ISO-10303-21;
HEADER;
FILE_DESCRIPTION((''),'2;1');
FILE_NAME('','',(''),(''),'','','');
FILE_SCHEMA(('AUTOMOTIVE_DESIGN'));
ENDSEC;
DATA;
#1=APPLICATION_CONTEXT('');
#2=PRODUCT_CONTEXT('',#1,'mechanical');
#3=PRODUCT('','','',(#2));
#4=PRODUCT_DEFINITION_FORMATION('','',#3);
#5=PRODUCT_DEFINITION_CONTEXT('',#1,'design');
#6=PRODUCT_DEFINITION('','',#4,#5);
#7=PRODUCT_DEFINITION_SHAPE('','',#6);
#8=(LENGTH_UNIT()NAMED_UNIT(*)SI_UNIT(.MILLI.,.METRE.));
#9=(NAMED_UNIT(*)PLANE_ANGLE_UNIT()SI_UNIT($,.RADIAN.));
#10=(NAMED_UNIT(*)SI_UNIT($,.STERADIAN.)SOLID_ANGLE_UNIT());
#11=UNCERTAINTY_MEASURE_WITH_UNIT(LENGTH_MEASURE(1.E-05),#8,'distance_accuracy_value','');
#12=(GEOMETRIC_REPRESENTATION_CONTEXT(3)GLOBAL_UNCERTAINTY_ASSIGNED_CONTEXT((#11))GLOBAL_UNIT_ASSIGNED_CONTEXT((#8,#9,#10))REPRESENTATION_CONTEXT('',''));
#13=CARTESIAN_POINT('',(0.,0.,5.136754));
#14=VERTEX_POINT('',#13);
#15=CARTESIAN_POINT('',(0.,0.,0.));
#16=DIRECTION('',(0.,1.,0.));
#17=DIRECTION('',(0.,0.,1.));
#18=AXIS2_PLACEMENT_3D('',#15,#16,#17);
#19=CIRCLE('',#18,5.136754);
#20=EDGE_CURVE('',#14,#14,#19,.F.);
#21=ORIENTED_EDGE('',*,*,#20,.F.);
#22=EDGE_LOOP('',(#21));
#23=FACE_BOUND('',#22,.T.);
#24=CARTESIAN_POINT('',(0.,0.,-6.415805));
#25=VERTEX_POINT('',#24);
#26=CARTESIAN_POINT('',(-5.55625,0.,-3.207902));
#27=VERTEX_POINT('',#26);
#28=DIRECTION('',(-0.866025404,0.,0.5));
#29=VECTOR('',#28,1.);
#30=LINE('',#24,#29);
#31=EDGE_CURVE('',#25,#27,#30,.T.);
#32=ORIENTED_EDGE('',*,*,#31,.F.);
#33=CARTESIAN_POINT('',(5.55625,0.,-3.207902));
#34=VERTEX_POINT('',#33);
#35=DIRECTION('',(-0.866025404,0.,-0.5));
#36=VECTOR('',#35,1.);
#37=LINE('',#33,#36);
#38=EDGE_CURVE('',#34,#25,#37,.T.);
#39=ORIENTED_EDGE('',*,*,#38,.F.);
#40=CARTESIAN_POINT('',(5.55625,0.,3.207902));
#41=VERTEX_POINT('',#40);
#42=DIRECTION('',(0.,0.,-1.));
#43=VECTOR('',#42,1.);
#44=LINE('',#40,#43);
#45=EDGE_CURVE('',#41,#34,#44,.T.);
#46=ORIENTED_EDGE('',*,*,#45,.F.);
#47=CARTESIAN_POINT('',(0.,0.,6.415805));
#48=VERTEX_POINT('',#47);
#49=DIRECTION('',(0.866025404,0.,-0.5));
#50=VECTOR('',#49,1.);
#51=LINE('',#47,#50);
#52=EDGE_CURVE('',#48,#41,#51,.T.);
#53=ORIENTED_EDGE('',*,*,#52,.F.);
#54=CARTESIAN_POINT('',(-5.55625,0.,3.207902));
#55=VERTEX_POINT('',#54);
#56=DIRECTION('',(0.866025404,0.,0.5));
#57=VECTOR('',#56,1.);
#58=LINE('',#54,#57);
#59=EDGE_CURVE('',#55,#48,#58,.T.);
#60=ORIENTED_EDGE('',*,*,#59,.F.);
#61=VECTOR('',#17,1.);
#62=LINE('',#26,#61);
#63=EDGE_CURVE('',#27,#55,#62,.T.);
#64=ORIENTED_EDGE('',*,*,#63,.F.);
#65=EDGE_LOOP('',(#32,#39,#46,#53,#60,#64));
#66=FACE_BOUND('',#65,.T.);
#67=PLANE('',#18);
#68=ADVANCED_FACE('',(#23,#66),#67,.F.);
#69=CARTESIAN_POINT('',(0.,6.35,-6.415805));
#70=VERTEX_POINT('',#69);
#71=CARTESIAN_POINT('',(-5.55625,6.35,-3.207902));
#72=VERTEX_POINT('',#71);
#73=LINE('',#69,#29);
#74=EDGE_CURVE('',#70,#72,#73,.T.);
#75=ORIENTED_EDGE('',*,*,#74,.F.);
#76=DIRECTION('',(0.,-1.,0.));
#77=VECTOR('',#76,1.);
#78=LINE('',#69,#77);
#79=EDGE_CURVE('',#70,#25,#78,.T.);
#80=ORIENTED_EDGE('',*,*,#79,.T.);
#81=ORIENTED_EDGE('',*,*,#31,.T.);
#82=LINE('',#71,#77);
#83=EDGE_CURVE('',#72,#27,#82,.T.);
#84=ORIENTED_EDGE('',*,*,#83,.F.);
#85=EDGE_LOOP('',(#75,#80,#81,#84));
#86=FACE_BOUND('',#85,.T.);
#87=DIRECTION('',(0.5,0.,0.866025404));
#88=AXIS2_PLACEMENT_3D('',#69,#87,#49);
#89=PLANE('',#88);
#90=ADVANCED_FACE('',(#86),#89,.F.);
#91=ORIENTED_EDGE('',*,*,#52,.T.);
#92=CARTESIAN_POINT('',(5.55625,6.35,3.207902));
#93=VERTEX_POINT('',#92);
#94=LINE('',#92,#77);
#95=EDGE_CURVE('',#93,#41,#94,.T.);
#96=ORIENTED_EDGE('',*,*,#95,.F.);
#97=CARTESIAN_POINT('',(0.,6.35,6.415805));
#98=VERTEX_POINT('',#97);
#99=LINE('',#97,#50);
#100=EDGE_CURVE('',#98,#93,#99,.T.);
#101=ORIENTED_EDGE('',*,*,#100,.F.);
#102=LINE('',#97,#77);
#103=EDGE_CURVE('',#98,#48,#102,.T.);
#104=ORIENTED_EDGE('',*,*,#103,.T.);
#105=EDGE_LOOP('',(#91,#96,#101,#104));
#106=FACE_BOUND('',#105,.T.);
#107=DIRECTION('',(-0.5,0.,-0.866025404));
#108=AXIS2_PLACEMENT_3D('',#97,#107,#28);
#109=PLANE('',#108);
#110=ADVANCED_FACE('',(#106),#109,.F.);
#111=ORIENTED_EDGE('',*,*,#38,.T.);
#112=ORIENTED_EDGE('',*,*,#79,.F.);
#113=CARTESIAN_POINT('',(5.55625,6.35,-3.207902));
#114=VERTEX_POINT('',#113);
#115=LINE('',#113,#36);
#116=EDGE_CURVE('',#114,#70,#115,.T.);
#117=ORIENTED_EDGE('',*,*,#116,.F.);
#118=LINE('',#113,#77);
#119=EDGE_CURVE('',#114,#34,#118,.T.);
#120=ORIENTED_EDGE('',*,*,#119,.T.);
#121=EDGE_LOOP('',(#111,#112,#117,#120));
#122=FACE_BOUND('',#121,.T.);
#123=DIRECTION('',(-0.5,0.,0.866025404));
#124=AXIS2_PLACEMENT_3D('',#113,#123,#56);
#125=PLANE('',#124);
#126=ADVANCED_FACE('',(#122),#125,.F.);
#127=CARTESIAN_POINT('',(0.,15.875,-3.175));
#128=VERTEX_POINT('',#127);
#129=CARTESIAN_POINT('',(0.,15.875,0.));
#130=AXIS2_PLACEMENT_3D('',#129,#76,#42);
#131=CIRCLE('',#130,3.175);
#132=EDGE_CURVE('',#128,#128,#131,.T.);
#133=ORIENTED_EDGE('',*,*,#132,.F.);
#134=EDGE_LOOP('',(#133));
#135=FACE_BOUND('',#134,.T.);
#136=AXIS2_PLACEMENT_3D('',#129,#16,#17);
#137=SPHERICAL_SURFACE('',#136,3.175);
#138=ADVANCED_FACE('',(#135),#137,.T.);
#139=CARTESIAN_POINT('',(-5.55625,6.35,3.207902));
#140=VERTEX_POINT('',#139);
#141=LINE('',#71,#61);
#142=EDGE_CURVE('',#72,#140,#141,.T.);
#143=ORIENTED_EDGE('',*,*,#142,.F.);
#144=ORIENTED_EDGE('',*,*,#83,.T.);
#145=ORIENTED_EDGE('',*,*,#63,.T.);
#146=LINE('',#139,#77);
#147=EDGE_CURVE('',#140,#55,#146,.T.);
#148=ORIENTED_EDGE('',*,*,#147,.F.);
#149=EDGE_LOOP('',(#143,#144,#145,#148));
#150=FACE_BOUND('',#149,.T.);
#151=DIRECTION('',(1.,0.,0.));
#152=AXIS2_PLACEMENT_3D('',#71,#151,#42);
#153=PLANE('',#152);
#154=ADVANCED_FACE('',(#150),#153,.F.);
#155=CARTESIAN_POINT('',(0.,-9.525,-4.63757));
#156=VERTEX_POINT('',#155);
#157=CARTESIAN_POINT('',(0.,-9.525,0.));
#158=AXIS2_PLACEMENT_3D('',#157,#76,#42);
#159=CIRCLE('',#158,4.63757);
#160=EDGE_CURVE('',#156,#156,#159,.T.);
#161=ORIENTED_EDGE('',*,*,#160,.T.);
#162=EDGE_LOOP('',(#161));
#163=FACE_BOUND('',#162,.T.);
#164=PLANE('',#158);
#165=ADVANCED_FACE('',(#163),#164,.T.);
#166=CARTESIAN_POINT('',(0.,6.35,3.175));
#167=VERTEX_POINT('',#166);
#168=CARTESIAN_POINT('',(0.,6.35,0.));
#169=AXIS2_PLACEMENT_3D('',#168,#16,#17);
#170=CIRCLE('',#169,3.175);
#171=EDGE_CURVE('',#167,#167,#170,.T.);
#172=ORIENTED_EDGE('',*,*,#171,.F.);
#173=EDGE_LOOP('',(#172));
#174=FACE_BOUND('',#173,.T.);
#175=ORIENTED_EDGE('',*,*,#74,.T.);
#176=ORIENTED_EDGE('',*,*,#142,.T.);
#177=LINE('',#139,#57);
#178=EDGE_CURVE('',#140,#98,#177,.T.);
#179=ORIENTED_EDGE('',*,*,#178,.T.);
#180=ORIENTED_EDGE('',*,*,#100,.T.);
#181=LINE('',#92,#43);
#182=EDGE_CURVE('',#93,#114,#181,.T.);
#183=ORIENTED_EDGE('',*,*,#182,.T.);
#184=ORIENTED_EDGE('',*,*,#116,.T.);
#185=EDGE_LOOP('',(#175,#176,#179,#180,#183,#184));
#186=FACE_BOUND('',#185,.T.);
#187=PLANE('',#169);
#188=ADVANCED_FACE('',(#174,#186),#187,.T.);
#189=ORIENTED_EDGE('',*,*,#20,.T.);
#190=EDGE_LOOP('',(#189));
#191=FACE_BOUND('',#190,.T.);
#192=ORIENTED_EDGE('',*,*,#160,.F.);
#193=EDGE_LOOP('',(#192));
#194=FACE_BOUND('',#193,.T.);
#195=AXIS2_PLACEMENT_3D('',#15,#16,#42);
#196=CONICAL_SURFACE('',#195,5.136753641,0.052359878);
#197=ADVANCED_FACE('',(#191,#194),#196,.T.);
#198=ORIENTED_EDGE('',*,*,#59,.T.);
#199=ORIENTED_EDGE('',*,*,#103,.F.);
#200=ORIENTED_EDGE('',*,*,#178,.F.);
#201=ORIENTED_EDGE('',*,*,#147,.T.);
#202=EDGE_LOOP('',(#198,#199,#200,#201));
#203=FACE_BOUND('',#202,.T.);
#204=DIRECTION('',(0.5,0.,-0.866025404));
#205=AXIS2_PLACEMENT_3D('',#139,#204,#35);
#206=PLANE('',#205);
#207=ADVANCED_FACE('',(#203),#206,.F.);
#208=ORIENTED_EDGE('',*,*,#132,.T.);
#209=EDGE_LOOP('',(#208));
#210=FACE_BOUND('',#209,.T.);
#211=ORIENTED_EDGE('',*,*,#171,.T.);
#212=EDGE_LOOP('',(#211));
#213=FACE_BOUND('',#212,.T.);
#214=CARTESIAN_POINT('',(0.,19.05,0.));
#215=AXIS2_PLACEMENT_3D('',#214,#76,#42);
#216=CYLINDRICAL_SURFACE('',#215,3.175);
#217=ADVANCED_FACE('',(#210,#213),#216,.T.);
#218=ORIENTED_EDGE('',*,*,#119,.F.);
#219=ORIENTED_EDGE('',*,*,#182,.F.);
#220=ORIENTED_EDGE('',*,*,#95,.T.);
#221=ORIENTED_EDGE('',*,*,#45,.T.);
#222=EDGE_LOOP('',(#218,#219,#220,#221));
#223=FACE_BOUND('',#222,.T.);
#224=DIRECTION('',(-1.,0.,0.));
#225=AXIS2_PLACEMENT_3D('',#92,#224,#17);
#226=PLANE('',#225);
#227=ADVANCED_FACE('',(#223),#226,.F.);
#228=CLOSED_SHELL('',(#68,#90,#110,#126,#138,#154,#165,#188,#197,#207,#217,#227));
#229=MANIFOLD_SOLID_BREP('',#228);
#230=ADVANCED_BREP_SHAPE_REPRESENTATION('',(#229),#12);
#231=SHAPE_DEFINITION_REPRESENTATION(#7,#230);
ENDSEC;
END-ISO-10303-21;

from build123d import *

# Parameters (mm, degrees)
BOSS_EXTRUDE1_DEPTH = 6.35
SKETCH3_R           = 3.175
BOSS_EXTRUDE2_DEPTH = 12.7
FILLET1_R           = 3.175
SKETCH4_R           = 5.136753641
BOSS_EXTRUDE3_DEPTH = 9.525
BOSS_EXTRUDE3_TAPER = 3


with BuildPart() as part:
    # Sketch1 → Boss-Extrude1 (new body)
    with BuildSketch(Plane(origin=(0, 0, 0), x_dir=(1, 0, 0), z_dir=(0, 1, 0))):
        Polygon((5.55625, 3.207902433), (0, 6.415804866), (-5.55625, 3.207902433), (-5.55625, -3.207902433), (0, -6.415804866), (5.55625, -3.207902433), align=None)
    extrude(amount=BOSS_EXTRUDE1_DEPTH)

    # Sketch3 → Boss-Extrude2 (add)
    with BuildSketch(Plane(origin=(0, 6.35, 0), x_dir=(1, 0, 0), z_dir=(0, 1, 0))):
        with Locations(Location((0, 0, 0), (0, 0, 270))):
            Circle(SKETCH3_R)
    extrude(amount=BOSS_EXTRUDE2_DEPTH)

    # Fillet1
    fillet1_edges = [part.edges().sort_by_distance(p)[0] for p in [
        (0, 19.05, -3.175),
    ]]
    fillet(fillet1_edges, radius=FILLET1_R)

    # Sketch4 → Boss-Extrude3 (add)
    with BuildSketch(Plane.XZ):
        Circle(SKETCH4_R)
    extrude(amount=BOSS_EXTRUDE3_DEPTH, taper=BOSS_EXTRUDE3_TAPER)


solid = part.part
